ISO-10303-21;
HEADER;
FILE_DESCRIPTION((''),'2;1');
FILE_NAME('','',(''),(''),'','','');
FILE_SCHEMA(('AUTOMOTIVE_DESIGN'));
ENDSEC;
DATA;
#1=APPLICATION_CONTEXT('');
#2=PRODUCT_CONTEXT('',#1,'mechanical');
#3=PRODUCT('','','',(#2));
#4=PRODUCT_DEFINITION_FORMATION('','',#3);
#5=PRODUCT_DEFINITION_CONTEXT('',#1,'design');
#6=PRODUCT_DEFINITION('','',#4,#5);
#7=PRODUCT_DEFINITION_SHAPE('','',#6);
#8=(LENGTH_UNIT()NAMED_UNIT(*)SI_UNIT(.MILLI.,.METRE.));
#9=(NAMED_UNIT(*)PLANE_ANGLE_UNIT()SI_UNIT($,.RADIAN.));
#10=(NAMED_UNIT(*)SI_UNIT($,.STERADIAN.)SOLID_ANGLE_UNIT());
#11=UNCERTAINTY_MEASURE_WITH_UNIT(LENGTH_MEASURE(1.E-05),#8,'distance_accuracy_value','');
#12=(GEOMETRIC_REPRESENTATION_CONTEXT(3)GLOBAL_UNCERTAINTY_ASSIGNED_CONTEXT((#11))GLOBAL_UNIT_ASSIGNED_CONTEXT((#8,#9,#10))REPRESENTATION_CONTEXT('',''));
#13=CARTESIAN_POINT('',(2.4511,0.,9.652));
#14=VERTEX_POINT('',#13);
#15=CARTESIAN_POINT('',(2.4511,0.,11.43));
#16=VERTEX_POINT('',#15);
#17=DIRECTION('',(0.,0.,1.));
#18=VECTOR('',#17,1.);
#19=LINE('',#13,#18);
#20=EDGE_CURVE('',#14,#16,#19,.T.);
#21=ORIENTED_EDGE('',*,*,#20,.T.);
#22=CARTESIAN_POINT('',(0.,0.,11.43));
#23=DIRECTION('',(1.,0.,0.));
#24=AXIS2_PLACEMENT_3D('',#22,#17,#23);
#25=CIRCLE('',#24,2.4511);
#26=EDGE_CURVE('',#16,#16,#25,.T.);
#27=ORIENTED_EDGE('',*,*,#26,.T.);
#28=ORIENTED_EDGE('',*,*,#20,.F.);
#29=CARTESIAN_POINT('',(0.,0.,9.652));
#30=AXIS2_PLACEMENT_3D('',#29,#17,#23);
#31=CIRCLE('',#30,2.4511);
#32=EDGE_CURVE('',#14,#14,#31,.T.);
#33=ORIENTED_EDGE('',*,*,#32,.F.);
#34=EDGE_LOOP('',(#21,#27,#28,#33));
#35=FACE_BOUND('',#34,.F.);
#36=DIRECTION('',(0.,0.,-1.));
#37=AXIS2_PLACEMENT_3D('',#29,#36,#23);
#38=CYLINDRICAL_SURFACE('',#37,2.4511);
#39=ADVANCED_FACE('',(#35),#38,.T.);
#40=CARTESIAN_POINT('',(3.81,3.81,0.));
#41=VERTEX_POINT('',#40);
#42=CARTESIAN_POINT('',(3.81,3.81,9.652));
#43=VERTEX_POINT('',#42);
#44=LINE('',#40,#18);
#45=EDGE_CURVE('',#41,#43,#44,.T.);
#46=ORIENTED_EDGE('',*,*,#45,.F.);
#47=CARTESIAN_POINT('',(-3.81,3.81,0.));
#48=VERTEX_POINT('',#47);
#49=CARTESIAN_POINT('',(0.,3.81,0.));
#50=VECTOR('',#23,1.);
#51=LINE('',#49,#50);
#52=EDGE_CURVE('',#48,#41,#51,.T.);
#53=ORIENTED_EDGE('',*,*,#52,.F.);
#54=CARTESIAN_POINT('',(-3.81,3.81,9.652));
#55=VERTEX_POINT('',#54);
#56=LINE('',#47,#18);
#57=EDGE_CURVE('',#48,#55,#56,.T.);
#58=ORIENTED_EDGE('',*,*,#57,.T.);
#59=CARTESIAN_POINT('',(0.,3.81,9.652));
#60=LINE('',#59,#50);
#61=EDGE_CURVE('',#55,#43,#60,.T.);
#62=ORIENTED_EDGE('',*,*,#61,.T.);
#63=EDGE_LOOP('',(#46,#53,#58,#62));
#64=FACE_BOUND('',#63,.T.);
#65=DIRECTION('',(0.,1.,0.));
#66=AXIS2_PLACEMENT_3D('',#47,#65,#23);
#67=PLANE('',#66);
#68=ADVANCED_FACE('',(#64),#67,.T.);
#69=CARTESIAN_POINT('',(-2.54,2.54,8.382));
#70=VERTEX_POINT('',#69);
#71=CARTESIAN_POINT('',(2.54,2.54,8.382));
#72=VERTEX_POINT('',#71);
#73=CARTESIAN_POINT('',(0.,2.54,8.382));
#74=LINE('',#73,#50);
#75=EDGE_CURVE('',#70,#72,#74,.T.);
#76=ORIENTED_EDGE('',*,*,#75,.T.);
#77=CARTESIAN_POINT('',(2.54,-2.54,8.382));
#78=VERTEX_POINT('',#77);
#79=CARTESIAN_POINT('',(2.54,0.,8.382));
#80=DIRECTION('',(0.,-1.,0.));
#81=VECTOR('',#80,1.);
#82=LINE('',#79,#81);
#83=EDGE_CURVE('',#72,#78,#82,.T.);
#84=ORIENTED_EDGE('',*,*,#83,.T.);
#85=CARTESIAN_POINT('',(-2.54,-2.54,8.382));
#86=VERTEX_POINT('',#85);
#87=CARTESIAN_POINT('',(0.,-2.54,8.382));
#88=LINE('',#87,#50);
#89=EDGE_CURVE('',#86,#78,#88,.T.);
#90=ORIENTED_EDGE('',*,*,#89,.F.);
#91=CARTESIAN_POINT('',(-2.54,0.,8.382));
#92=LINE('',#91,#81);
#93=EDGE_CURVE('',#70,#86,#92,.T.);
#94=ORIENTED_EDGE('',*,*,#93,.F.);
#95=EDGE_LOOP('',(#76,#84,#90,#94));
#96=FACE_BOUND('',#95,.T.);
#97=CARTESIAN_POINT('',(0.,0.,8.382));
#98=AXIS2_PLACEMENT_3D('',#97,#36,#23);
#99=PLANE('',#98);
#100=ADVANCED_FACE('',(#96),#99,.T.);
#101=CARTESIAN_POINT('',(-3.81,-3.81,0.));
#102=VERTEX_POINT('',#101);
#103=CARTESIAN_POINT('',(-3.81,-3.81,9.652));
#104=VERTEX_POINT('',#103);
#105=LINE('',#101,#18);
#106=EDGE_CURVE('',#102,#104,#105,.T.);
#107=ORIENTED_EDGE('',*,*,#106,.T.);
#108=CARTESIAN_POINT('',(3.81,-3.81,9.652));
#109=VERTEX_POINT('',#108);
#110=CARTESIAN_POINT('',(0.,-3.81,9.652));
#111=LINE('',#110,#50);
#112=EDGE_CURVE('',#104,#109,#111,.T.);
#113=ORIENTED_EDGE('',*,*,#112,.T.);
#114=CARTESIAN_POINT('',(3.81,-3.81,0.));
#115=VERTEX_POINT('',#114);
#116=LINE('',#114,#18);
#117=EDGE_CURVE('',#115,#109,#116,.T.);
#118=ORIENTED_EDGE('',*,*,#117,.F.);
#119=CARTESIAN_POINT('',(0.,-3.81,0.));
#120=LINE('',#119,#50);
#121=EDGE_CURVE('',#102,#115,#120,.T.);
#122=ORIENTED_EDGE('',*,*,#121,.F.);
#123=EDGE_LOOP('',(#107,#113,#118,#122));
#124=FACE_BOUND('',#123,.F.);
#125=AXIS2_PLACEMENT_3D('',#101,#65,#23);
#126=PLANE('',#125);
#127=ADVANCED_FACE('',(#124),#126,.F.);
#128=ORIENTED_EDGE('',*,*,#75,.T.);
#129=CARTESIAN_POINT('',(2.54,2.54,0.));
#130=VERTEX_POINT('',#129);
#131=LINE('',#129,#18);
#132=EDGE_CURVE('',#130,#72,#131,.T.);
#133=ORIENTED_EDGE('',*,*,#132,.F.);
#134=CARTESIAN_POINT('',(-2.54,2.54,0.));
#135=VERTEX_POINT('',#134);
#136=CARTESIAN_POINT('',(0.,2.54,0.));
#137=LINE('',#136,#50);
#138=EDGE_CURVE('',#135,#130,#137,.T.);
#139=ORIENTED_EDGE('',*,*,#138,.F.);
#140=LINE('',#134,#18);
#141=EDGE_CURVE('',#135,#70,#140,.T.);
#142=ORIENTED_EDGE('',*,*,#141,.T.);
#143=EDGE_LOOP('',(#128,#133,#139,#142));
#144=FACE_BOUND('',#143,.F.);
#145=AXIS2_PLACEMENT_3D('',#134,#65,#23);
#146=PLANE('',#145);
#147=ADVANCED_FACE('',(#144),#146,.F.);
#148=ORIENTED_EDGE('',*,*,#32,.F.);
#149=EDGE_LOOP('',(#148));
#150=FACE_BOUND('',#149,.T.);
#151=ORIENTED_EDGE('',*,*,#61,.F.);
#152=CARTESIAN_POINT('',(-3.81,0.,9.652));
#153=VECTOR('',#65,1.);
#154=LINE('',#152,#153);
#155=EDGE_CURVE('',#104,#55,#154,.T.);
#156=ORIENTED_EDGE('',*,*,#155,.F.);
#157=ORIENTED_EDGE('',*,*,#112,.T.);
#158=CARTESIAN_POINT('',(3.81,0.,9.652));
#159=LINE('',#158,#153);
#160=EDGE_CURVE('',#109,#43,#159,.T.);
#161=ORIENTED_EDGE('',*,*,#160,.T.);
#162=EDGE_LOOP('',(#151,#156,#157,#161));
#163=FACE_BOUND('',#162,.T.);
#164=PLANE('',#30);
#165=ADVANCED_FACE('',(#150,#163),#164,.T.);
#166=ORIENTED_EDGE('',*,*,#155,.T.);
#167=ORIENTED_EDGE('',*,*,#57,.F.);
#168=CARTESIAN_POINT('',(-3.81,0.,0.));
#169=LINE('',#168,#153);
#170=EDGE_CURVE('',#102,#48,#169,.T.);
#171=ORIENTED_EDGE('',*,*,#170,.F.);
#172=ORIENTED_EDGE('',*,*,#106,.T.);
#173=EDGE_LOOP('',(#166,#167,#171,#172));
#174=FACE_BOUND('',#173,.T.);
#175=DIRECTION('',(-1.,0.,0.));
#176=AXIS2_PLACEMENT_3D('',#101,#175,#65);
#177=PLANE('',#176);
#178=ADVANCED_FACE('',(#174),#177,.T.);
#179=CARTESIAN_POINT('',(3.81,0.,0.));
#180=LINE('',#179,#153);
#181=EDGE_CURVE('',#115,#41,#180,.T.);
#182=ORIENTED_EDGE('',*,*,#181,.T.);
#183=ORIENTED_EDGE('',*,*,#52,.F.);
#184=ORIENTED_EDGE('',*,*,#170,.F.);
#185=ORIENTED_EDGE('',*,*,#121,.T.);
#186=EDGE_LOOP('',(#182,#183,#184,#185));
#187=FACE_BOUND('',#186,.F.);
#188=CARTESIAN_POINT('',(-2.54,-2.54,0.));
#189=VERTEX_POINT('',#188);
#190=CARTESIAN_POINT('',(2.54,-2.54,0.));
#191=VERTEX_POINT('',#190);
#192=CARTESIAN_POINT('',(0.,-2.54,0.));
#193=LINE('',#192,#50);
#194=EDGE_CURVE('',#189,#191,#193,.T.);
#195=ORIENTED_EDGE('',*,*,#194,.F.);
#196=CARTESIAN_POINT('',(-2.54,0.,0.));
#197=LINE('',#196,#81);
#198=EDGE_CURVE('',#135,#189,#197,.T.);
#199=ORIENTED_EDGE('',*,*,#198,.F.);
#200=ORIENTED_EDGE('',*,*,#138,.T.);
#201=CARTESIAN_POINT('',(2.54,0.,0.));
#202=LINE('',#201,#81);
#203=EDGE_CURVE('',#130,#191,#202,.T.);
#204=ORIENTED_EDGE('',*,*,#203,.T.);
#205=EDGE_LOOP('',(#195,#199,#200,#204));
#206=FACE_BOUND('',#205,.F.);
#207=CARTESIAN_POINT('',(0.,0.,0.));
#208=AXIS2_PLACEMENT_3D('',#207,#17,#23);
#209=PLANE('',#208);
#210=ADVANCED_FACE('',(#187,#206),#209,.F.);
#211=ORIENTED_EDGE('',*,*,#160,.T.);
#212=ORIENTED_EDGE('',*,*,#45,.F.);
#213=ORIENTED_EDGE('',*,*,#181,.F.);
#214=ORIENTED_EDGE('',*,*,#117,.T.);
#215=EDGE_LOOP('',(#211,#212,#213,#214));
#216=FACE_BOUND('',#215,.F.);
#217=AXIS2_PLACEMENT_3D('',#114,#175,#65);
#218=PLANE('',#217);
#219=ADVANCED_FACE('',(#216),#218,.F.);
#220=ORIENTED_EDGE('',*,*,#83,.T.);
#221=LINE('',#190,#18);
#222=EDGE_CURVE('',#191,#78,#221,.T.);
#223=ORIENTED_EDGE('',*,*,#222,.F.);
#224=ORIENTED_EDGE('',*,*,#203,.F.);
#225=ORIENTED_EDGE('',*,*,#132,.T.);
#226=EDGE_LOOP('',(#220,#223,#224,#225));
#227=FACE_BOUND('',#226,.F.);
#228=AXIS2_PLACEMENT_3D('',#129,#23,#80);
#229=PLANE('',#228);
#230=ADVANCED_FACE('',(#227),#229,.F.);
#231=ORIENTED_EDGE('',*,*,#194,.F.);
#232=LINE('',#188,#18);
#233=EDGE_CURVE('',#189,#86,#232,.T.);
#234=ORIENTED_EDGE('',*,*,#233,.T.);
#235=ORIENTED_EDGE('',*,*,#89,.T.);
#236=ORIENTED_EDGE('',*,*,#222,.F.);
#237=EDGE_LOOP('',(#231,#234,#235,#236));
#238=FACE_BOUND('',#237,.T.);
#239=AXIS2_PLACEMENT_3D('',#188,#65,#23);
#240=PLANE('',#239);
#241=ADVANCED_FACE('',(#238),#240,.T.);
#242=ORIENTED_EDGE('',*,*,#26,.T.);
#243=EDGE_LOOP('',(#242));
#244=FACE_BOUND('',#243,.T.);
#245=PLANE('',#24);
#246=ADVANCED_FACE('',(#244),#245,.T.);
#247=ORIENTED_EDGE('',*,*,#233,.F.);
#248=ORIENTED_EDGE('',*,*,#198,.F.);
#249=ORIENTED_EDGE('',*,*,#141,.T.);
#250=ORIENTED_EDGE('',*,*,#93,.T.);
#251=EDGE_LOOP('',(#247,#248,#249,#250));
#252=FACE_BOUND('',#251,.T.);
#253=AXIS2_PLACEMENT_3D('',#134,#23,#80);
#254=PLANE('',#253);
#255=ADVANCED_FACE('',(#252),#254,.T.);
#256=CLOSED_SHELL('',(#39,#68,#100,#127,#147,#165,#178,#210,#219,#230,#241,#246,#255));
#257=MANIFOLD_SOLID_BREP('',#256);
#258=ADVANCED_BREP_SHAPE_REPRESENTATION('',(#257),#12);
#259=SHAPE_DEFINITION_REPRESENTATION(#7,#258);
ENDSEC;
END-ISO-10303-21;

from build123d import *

# Parameters (mm, degrees)
F0_W     = 7.62
F0_H     = 7.62
F1_DEPTH = 9.652
F2_R     = 2.4511
F3_DEPTH = 1.778
F4_W     = 5.08
F4_H     = 5.08
F5_DEPTH = 8.382


with BuildPart() as f1:
    # F0 (on Top) → F1 (new body)
    with BuildSketch(Plane.XY):
        Rectangle(F0_W, F0_H)
    extrude(amount=F1_DEPTH)

    # F2 (on face) → F3 (join)
    with BuildSketch(Plane.XY.offset(9.652)):
        Circle(F2_R)
    extrude(amount=F3_DEPTH)

    # F4 (on face) → F5 (cut)
    with BuildSketch(Plane(origin=(0, 0, 0), x_dir=(1, 0, 0), z_dir=(0, 0, -1))):
        Rectangle(F4_W, F4_H)
    extrude(amount=-F5_DEPTH, mode=Mode.SUBTRACT)


solid = f1.part
